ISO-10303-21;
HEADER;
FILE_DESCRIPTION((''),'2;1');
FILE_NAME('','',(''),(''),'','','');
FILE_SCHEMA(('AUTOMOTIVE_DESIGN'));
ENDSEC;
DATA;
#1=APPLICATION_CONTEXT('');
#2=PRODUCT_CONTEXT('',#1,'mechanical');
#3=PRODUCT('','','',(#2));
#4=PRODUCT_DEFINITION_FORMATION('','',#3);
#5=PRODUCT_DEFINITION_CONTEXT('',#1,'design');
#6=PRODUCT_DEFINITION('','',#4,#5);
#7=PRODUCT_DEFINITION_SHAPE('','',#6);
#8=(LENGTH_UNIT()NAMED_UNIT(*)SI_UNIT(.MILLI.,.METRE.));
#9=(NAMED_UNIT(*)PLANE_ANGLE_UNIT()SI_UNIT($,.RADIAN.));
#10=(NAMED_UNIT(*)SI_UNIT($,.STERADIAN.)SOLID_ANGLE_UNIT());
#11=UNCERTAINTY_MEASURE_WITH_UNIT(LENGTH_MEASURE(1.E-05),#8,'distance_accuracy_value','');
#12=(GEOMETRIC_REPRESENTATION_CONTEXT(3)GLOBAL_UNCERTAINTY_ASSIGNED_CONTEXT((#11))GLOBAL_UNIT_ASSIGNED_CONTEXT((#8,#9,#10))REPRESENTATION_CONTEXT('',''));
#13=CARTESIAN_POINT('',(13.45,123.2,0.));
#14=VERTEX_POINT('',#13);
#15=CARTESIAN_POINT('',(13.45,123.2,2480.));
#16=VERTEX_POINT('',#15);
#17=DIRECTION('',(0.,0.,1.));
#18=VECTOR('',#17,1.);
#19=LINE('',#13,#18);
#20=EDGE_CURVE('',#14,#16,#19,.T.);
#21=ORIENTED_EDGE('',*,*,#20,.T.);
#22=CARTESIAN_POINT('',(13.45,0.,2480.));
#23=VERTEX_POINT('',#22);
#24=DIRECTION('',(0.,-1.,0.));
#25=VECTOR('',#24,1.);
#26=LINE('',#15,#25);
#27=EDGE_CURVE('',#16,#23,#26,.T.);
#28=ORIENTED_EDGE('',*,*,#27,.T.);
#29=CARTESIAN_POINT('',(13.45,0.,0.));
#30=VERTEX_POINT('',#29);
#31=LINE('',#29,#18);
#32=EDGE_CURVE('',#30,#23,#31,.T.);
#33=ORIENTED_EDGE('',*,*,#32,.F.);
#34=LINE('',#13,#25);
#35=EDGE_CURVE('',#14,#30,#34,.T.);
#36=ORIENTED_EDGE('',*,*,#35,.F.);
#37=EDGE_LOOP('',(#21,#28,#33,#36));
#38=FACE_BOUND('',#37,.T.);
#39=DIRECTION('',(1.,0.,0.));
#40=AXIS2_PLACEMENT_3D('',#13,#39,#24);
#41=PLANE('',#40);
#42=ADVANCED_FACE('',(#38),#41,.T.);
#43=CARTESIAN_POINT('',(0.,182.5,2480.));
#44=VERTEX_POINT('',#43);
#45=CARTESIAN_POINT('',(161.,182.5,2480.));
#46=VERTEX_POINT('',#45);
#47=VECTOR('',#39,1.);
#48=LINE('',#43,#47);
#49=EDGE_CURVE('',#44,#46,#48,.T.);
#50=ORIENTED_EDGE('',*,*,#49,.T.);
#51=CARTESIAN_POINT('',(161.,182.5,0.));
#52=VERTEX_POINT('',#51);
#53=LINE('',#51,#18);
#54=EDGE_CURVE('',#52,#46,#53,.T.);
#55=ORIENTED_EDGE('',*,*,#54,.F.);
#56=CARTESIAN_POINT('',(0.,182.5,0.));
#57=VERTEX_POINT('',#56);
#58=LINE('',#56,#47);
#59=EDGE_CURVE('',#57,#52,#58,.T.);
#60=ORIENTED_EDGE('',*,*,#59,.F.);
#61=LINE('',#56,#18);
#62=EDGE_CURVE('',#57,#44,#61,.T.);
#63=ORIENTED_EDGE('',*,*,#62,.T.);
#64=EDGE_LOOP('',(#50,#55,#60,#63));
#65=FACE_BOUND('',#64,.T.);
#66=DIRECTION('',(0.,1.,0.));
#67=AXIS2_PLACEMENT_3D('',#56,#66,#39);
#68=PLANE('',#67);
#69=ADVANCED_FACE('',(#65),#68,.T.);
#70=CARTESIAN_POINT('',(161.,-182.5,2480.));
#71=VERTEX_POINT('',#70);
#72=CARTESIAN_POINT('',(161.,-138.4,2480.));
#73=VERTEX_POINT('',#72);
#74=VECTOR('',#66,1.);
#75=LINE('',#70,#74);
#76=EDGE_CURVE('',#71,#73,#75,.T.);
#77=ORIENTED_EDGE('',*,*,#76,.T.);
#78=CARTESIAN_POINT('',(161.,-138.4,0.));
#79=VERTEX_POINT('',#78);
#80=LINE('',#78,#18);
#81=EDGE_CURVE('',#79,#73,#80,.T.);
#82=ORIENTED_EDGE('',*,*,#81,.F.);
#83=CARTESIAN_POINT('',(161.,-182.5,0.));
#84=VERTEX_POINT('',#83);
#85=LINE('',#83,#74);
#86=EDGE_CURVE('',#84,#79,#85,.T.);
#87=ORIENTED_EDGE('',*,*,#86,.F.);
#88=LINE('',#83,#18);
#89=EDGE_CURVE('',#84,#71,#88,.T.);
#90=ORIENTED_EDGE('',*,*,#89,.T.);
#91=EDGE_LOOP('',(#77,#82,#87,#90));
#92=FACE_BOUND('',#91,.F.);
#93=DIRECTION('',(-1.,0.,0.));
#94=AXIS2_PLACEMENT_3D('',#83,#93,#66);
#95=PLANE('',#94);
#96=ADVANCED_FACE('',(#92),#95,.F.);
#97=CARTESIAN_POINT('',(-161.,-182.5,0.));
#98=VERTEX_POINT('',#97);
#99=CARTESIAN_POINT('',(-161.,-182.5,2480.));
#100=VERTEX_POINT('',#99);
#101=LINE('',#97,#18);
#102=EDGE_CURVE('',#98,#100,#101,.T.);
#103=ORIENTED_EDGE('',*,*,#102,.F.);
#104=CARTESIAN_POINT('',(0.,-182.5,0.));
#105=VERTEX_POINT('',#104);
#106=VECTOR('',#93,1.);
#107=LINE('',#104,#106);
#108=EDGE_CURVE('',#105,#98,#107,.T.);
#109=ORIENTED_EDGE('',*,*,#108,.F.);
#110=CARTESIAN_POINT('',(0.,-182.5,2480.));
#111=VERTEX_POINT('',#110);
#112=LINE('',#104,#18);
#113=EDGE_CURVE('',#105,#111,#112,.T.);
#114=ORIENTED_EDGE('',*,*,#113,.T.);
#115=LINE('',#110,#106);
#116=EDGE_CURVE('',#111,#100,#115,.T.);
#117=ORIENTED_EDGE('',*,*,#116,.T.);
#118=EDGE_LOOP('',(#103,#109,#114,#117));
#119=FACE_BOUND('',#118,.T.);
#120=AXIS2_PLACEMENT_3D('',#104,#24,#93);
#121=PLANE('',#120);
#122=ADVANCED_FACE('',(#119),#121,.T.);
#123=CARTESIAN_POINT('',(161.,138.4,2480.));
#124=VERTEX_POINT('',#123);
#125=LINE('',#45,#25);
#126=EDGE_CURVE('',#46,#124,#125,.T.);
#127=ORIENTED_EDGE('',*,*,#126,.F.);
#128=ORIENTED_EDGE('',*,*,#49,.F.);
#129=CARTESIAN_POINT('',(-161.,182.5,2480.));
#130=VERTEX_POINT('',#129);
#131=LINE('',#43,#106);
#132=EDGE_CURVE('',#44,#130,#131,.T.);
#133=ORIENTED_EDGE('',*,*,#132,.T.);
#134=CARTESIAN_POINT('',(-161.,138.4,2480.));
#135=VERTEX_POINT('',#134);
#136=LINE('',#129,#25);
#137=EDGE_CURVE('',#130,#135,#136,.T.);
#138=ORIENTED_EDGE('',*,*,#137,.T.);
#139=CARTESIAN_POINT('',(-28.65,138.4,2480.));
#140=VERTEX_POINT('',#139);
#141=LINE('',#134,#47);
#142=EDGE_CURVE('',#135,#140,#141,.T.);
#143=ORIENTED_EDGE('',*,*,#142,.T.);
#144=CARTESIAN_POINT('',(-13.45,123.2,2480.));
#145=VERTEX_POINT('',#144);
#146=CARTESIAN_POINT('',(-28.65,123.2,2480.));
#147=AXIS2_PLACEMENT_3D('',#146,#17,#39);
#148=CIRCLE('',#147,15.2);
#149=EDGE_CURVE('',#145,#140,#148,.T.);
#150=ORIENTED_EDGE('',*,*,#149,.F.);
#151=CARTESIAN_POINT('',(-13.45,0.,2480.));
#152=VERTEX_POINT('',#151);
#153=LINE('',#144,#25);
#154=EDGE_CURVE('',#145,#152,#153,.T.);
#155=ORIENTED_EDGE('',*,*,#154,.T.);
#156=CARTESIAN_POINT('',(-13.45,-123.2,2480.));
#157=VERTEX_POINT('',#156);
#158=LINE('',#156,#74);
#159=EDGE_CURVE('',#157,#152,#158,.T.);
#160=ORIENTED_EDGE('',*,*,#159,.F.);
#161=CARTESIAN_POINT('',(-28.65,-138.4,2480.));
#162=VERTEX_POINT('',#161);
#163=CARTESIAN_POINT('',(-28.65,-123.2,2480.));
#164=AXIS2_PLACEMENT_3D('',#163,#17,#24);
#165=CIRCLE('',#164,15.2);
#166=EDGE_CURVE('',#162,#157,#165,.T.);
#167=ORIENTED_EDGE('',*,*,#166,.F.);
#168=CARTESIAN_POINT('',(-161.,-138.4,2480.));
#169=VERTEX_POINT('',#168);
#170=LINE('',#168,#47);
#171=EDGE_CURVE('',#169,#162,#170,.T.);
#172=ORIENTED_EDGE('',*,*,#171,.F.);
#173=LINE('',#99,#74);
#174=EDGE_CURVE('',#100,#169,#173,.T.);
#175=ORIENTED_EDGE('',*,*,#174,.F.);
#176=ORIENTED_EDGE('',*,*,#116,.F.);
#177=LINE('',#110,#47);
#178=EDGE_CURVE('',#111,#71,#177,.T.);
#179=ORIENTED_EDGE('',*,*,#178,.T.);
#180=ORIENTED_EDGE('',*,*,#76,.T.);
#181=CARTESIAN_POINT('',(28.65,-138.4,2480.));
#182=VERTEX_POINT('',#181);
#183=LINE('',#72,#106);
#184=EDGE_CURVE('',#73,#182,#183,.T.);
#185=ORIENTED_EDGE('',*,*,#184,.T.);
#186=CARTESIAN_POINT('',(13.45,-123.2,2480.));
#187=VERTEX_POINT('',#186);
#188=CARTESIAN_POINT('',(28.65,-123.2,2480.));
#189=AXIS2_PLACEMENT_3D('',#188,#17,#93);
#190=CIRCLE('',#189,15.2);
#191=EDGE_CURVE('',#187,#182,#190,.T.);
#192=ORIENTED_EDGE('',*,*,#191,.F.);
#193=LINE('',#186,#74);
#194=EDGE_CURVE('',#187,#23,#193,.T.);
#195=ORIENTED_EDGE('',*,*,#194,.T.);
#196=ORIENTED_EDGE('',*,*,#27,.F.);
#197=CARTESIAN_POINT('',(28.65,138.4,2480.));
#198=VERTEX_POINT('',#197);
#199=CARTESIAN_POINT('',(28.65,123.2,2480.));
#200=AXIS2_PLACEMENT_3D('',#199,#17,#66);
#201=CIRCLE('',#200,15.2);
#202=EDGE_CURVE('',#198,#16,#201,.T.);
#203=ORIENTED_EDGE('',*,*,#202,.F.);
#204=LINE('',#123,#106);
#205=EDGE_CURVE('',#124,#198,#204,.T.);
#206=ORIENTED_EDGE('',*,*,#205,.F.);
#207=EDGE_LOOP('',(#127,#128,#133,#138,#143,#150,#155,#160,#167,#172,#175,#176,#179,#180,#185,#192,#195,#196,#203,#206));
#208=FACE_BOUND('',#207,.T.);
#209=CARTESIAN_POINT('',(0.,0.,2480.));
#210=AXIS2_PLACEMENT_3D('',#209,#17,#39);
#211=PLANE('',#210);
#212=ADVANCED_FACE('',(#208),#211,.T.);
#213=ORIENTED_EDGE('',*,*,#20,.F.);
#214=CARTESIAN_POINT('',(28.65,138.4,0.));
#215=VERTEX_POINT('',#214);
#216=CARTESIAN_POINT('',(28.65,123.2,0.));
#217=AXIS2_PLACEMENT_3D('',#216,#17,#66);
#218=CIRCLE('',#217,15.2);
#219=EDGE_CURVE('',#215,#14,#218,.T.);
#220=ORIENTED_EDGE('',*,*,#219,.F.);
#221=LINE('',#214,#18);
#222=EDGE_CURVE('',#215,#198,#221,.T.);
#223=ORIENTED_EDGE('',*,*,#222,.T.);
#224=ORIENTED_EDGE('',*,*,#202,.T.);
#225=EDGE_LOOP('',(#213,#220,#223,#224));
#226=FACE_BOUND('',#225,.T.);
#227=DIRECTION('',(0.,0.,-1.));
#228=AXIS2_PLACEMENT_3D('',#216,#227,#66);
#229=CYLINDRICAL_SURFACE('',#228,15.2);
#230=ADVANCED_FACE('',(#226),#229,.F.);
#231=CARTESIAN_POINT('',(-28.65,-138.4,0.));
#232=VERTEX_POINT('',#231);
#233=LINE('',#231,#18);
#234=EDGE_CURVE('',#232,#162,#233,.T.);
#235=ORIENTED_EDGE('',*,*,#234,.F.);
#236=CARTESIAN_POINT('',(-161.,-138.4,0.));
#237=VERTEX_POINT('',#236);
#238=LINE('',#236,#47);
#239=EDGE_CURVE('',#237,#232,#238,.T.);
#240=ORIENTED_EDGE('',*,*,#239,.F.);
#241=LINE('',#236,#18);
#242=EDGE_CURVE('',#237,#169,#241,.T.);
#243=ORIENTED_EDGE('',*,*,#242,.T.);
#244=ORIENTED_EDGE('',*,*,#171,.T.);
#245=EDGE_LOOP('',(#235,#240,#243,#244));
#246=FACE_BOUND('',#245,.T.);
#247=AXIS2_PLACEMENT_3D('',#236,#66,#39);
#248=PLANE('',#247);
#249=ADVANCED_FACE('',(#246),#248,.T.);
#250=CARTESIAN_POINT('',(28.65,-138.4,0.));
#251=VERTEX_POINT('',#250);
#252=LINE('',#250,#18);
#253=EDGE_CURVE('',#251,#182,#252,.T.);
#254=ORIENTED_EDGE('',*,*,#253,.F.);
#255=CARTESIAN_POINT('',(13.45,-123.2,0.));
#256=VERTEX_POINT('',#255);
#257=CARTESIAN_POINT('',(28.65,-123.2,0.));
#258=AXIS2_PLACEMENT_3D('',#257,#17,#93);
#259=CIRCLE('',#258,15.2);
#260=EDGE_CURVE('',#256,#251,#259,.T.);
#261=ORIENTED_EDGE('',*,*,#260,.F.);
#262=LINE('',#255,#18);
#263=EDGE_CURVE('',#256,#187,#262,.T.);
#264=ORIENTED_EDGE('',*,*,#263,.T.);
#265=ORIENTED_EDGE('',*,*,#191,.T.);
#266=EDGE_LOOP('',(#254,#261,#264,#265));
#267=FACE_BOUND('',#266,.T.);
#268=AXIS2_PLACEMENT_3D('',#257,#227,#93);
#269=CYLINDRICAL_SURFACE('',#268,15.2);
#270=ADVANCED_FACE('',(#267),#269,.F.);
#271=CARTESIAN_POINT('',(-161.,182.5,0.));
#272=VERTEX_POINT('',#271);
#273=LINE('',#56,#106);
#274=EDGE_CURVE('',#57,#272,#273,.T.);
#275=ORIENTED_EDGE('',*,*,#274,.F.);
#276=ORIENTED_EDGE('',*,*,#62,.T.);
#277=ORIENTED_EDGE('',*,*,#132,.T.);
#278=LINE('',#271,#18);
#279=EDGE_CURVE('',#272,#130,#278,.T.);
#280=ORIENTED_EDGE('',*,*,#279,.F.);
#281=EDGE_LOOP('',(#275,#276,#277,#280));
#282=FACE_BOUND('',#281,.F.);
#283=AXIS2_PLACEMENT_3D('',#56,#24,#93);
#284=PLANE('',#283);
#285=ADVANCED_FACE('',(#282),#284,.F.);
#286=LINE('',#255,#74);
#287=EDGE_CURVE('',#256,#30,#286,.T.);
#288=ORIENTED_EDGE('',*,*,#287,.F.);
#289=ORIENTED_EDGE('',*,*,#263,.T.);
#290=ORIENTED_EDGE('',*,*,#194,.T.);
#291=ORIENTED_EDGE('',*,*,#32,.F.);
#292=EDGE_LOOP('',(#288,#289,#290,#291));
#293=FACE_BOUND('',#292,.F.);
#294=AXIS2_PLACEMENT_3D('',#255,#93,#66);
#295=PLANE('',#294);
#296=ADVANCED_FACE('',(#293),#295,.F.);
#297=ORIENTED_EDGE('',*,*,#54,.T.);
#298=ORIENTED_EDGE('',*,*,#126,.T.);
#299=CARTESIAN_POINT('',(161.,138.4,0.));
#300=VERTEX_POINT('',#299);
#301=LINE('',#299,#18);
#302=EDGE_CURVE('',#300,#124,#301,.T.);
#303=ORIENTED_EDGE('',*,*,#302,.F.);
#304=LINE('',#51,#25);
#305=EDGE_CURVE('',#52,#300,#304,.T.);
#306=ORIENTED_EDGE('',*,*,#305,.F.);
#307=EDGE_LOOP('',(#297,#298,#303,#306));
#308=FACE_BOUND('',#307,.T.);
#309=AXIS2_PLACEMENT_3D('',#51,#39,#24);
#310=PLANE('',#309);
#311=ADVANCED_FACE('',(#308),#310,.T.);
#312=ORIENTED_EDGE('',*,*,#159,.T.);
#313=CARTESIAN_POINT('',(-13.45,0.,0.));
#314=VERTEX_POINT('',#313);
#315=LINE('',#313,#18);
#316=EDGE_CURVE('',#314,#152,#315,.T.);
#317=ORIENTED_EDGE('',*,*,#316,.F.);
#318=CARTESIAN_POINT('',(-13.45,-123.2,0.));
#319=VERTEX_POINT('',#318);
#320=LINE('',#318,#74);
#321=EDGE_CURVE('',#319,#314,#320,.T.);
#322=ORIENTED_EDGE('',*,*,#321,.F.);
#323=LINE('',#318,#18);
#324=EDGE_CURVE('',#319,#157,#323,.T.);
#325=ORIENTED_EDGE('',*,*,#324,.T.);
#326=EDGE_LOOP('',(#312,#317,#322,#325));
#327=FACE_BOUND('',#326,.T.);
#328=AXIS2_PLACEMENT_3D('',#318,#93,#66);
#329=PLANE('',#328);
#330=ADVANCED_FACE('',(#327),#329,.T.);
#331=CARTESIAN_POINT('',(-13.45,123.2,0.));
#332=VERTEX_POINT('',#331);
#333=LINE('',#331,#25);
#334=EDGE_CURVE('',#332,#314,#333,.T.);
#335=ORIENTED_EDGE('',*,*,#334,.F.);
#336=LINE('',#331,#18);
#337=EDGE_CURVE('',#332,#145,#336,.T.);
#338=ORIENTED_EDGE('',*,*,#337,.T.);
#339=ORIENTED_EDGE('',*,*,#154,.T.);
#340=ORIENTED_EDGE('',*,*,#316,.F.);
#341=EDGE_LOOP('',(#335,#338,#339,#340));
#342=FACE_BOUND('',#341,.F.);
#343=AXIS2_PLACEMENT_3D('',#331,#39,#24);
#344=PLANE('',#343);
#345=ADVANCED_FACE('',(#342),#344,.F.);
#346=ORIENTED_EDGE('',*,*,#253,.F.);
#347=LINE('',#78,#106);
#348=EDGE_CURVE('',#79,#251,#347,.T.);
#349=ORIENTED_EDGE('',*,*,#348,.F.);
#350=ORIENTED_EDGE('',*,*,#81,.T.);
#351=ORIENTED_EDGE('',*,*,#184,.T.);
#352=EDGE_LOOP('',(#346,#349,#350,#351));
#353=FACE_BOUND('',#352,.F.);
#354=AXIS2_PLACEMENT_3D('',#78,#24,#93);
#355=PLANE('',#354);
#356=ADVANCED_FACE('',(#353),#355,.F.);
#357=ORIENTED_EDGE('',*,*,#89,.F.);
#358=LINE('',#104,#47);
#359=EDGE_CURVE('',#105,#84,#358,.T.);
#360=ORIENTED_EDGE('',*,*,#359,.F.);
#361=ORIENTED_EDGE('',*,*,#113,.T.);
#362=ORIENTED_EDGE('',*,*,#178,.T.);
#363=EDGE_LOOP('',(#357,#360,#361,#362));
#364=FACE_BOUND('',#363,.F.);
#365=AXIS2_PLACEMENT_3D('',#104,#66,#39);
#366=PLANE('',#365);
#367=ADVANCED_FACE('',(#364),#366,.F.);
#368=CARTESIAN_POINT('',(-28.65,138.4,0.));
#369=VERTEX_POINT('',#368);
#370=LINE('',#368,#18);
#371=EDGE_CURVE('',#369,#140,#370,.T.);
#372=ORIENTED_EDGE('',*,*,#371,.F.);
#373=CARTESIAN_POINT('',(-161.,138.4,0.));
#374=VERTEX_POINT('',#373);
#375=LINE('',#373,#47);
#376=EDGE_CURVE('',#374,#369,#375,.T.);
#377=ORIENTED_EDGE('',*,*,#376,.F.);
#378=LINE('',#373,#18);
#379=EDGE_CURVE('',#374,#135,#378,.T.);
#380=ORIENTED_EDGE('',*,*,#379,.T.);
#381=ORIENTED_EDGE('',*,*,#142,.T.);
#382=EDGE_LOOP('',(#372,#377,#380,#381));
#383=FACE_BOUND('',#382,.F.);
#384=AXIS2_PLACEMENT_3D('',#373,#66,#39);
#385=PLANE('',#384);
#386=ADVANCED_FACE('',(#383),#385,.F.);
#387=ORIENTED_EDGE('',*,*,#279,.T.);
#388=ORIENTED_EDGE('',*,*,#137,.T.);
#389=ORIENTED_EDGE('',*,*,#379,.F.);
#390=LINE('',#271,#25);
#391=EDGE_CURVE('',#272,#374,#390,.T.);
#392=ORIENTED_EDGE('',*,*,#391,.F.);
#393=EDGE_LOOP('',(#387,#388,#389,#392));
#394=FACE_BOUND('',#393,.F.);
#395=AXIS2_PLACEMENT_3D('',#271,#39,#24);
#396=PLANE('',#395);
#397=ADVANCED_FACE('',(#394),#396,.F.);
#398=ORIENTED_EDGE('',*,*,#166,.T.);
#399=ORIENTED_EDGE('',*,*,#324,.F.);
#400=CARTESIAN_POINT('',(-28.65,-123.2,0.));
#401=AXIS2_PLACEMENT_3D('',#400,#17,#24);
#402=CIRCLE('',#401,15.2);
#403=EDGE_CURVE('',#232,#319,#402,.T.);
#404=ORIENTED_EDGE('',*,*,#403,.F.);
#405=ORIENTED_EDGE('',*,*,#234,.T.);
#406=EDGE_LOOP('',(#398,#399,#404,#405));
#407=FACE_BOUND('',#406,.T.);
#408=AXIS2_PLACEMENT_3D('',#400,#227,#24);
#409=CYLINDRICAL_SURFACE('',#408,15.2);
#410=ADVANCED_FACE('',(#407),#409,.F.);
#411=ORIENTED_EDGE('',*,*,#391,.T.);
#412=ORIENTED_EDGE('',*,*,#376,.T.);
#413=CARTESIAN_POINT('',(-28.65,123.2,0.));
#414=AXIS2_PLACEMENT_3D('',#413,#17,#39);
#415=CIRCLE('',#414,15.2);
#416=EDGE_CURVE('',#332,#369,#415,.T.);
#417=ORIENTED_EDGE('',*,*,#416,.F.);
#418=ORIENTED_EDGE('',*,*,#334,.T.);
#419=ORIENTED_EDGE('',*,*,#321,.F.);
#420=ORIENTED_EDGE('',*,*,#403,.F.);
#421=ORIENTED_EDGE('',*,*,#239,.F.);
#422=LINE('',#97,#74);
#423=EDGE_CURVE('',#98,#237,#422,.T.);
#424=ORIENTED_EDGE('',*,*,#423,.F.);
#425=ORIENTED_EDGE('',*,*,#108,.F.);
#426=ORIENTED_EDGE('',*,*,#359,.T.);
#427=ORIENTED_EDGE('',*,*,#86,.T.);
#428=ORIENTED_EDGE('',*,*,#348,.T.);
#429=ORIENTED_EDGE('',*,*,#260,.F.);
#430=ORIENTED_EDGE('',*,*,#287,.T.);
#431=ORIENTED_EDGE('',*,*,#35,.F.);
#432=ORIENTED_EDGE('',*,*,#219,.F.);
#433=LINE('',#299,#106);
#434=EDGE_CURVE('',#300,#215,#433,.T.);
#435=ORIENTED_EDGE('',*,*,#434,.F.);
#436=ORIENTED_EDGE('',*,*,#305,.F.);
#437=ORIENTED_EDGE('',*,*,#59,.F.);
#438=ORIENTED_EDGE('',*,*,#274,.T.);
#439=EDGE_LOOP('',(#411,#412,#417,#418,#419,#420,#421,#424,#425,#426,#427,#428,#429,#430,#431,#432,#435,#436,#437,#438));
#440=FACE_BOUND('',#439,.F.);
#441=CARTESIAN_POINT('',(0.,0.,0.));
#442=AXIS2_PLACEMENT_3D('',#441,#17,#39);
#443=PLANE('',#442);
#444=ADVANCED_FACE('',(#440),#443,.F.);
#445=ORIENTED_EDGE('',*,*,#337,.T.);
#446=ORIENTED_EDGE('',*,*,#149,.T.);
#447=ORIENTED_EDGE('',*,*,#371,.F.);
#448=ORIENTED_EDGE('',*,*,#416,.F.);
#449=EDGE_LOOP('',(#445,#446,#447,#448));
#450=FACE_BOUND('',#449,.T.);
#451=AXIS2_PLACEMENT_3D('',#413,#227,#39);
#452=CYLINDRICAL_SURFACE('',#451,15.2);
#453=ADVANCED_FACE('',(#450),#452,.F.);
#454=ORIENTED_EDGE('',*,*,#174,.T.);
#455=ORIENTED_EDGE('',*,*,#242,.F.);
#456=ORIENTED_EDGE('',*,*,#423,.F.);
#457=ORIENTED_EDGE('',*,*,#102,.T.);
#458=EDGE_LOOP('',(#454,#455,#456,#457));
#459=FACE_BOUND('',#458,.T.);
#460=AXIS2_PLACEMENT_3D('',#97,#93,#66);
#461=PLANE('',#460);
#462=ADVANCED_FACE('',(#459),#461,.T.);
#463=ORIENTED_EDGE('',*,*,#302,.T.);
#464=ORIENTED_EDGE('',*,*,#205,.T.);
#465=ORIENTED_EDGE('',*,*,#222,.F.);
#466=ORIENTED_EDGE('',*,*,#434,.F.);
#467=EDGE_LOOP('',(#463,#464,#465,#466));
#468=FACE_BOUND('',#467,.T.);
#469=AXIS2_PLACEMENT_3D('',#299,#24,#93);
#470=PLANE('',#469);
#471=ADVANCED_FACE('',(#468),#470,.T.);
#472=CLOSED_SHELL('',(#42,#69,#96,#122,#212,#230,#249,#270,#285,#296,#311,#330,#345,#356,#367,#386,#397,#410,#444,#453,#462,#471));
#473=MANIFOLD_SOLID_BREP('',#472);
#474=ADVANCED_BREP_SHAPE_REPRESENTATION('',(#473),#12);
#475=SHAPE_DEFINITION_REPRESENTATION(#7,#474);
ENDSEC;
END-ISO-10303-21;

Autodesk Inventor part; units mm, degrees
ref_plane "YZ Plane" through (0, 0, 0) normal (1, 0, 0) x (0, 1, 0)
ref_plane "Start plane" through (0, 0, 0) normal (0, 0, 1) x (1, 0, 0)
ref_plane "End plane" through (0, 0, 2480) normal (0, 0, 1) x (1, 0, 0)
sketch "Sketch" plane through (0, 0, 0) normal (0, 0, 1) x (1, 0, 0)
  line L0 (-161, -182.5) -> (-161, -138.4)
  line L1 (-161, -138.4) -> (-28.65, -138.4)
  line L2 (-13.45, -123.2) -> (-13.45, 0)
  line L3 (-13.45, 0) -> (0, 0) construction
  line L4 (0, 0) -> (0, -182.5) construction
  line L5 (0, -182.5) -> (-161, -182.5)
  line L6 (-60, 0) -> (80, 0) construction
  line L7 (0, -60) -> (0, 80) construction
  line L8 (161, -182.5) -> (161, -138.4)
  line L9 (161, -138.4) -> (28.65, -138.4)
  line L10 (13.45, -123.2) -> (13.45, 0)
  line L11 (13.45, 0) -> (0, 0) construction
  line L12 (0, -182.5) -> (161, -182.5)
  line L13 (-161, 182.5) -> (-161, 138.4)
  line L14 (-161, 138.4) -> (-28.65, 138.4)
  line L15 (-13.45, 123.2) -> (-13.45, 0)
  line L16 (0, 182.5) -> (-161, 182.5)
  line L17 (161, 182.5) -> (161, 138.4)
  line L18 (161, 138.4) -> (28.65, 138.4)
  line L19 (0, 182.5) -> (161, 182.5)
  line L20 (13.45, 123.2) -> (13.45, 0)
  arc A0 (-13.45, 123.2) -> (-28.65, 138.4) centre (-28.65, 123.2) ccw
  arc A1 (28.65, 138.4) -> (13.45, 123.2) centre (28.65, 123.2) ccw
  arc A2 (13.45, -123.2) -> (28.65, -138.4) centre (28.65, -123.2) ccw
  arc A3 (-28.65, -138.4) -> (-13.45, -123.2) centre (-28.65, -123.2) ccw
  line L21 (0, 108) -> (0, -88) construction
  line L22 (-88, 0) -> (108, 0) construction
  point P0 (-13.45, -138.4)
  point P1 (13.45, -138.4)
  point P2 (-13.45, 138.4)
  point P3 (13.45, 138.4)
  dimension "d1" = 182.5
  dimension "d2" = 44.1
  dimension "d3" = 161
  dimension "d4" = 13.45
  dimension "d10" = 15.2
extrude "Body" add sketch "Sketch" along normal up to surface (2480 mm away) from surface at 0
sketch "Sketch4" plane through (0, 0, 0) normal (0, 0, 1) x (1, 0, 0)
  line L0 (0, 0) -> (10, 0)
ref_plane "Work Plane3" through (0, 0, 0) normal (0, -1, 0) x (1, 0, 0)
sketch "Sketch5" plane through (0, 0, 0) normal (0, -1, 0) x (1, 0, 0)
  line L0 (-2, 0) -> (12, 0) projected
  line L1 (-2, 2480) -> (12, 2480) projected
  dimension "d14" = 2480
equation "\"d1\" = 0.5 * G_H"
equation "\"d2\" = G_T1"
equation "\"d3\" = 0.5 * G_W"
equation "\"d4\" = 0.5 * G_T"
equation "\"d10\" = G_IR"
equation "\"d5\" = G_L"
equation "\"G_W\" = 322"
equation "\"G_H\" = 365"
equation "\"G_T\" = 26.9"
equation "\"G_T1\" = 44.1"
equation "\"G_IR\" = 15.2"
equation "\"G_L\" = d14"
equation "\"G_OFFSET_START\" = 0"
equation "\"G_OFFSET_END\" = 0"
properties part number "AS 3679 - 310 UC - 283 - 2480" material "Steel, Mild"
